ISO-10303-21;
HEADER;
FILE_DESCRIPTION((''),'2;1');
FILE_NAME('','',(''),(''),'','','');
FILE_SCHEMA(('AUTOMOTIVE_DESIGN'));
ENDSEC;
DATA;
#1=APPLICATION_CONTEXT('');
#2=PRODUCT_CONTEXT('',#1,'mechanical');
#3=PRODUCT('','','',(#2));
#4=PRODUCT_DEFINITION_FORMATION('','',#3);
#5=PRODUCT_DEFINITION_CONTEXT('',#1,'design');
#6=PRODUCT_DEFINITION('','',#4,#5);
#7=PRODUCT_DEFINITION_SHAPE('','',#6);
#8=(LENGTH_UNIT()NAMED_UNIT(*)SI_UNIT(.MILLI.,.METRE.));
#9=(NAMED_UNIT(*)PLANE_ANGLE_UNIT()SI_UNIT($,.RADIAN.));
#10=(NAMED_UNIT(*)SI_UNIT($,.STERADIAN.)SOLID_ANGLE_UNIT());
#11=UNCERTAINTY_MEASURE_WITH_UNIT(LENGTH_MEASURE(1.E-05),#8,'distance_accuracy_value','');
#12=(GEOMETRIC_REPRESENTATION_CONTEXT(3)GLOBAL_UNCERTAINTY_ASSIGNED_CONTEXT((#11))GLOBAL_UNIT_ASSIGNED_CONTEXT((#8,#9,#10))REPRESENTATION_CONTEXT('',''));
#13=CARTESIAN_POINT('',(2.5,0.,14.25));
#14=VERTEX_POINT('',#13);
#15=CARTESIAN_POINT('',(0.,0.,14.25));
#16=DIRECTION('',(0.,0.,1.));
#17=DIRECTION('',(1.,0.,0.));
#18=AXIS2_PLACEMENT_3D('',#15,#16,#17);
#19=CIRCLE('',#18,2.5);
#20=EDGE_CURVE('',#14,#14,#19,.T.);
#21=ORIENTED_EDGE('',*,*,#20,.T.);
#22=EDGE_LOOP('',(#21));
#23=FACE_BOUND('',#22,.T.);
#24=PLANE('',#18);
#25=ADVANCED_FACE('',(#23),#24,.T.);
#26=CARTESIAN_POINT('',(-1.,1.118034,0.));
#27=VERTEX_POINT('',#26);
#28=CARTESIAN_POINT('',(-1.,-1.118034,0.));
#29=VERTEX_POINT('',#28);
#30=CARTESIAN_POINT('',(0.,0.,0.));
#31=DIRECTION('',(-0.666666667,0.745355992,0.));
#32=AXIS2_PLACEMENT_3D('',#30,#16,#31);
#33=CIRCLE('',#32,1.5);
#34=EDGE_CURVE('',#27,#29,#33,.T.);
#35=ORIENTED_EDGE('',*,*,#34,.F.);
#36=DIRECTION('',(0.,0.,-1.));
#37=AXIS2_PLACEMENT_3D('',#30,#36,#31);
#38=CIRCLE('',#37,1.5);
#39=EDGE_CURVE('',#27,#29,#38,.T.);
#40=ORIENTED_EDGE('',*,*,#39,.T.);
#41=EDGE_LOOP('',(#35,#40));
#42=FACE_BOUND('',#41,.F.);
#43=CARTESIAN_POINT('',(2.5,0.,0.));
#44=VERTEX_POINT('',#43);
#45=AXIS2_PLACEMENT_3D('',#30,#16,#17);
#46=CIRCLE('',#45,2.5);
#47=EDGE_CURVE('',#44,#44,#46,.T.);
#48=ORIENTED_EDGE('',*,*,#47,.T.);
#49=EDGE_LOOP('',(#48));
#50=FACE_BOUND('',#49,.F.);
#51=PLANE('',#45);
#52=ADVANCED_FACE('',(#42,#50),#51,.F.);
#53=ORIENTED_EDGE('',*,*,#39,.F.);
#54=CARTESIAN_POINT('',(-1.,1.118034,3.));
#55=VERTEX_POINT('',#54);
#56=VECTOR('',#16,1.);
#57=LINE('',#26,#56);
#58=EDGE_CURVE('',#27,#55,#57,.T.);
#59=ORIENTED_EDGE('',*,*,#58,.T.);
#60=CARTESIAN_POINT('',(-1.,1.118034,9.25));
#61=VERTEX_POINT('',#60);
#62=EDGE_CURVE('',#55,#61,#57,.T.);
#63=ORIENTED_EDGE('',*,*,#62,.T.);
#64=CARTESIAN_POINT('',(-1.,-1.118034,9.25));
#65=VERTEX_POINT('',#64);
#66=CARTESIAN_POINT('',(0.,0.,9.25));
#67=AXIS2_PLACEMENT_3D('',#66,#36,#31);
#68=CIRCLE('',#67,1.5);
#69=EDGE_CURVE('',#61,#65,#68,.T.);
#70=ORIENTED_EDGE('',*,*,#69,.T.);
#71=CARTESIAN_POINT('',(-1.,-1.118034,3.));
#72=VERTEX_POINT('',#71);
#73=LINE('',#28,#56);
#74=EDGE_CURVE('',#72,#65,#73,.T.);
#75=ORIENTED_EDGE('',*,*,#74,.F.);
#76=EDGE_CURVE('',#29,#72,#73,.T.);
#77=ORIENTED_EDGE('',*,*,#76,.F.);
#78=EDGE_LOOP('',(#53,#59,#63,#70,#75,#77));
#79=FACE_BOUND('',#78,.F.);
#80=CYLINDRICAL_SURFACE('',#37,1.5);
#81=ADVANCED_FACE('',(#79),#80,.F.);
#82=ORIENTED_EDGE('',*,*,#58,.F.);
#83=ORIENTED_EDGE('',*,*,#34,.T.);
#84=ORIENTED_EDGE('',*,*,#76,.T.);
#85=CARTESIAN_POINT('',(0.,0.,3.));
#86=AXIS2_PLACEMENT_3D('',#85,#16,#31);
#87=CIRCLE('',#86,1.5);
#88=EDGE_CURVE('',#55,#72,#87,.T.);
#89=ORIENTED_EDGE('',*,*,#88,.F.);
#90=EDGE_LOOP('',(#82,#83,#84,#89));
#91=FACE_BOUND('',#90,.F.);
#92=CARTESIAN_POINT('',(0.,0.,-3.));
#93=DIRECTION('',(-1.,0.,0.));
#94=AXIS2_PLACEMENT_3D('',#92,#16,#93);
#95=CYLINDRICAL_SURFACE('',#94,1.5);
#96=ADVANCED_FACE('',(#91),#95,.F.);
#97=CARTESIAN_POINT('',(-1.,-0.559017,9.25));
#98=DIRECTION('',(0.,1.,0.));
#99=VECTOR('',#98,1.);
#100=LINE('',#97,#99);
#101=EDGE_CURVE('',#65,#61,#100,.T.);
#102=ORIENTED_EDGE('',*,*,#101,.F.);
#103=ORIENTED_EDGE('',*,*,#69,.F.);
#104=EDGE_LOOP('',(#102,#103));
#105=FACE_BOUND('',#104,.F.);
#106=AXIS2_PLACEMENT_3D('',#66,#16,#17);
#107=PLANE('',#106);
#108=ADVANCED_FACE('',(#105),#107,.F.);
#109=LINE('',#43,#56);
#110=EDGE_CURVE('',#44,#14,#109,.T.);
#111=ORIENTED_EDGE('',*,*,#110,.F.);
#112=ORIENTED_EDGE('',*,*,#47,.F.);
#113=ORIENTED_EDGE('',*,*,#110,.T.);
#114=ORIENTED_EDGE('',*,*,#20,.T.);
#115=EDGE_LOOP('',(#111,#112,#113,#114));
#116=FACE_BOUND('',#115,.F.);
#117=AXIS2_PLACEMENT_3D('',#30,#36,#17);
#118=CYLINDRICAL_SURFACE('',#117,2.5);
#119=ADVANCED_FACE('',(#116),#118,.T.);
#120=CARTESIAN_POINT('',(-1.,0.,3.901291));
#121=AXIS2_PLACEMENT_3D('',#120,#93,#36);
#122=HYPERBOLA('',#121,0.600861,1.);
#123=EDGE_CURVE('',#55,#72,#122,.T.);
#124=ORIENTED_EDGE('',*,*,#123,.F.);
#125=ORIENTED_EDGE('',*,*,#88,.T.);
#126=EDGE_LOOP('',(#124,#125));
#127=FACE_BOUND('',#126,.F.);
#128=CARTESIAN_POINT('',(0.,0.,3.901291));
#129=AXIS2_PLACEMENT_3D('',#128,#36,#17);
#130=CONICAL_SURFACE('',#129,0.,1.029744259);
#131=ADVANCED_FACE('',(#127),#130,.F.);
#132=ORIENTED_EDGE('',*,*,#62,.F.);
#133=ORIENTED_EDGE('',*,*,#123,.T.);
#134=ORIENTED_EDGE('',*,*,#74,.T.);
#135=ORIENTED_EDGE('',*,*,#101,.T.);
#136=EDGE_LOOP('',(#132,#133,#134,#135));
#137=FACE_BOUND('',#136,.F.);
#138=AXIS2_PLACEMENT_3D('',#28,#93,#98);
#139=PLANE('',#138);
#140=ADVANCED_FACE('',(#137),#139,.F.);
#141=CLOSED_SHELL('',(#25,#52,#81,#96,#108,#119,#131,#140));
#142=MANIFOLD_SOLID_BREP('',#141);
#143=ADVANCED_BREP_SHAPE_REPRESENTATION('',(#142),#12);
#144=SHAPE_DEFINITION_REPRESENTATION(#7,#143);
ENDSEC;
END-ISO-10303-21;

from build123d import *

# Parameters (mm, degrees)
F0_R     = 2.5
F1_DEPTH = 14.25
F3_D     = 3
F3_DEPTH = 3
F3_TIP   = 0.9012909285
F4_R     = 2.1505871319
F5_DEPTH = 5


with BuildPart() as f1:
    # F0 (on Top) → F1 (new body)
    with BuildSketch(Plane.XY):
        Circle(F0_R)
        with BuildLine():
            ThreePointArc((-1, 1.1180339887), (1.5, 0), (-1, -1.1180339887))
            Line((-1, -1.1180339887), (-1, 1.1180339887))
        make_face(mode=Mode.SUBTRACT)
    extrude(amount=F1_DEPTH)

    # F3
    with Locations(Plane(origin=(0, 0, 0), x_dir=(1, 0, 0), z_dir=(0, 0, -1))):
        with Locations((0, 0)):
            Hole(F3_D / 2, depth=F3_DEPTH)
            with Locations((0, 0, -(F3_DEPTH + F3_TIP / 2))):  # 118° drill point
                Cone(0, F3_D / 2, F3_TIP, mode=Mode.SUBTRACT)

    # F4 (on face) → F5 (join)
    with BuildSketch(Plane.XY.offset(14.25)):
        Circle(F4_R)
        with BuildLine():
            ThreePointArc((-1, 1.1180339887), (1.5, 0), (-1, -1.1180339887))
            Line((-1, -1.1180339887), (-1, 1.1180339887))
        make_face(mode=Mode.SUBTRACT)
        with BuildLine():
            Line((-1, 1.1180339887), (-1, -1.1180339887))
            ThreePointArc((-1, -1.1180339887), (1.5, 0), (-1, 1.1180339887))
        make_face()
    extrude(amount=-F5_DEPTH)


solid = f1.part
